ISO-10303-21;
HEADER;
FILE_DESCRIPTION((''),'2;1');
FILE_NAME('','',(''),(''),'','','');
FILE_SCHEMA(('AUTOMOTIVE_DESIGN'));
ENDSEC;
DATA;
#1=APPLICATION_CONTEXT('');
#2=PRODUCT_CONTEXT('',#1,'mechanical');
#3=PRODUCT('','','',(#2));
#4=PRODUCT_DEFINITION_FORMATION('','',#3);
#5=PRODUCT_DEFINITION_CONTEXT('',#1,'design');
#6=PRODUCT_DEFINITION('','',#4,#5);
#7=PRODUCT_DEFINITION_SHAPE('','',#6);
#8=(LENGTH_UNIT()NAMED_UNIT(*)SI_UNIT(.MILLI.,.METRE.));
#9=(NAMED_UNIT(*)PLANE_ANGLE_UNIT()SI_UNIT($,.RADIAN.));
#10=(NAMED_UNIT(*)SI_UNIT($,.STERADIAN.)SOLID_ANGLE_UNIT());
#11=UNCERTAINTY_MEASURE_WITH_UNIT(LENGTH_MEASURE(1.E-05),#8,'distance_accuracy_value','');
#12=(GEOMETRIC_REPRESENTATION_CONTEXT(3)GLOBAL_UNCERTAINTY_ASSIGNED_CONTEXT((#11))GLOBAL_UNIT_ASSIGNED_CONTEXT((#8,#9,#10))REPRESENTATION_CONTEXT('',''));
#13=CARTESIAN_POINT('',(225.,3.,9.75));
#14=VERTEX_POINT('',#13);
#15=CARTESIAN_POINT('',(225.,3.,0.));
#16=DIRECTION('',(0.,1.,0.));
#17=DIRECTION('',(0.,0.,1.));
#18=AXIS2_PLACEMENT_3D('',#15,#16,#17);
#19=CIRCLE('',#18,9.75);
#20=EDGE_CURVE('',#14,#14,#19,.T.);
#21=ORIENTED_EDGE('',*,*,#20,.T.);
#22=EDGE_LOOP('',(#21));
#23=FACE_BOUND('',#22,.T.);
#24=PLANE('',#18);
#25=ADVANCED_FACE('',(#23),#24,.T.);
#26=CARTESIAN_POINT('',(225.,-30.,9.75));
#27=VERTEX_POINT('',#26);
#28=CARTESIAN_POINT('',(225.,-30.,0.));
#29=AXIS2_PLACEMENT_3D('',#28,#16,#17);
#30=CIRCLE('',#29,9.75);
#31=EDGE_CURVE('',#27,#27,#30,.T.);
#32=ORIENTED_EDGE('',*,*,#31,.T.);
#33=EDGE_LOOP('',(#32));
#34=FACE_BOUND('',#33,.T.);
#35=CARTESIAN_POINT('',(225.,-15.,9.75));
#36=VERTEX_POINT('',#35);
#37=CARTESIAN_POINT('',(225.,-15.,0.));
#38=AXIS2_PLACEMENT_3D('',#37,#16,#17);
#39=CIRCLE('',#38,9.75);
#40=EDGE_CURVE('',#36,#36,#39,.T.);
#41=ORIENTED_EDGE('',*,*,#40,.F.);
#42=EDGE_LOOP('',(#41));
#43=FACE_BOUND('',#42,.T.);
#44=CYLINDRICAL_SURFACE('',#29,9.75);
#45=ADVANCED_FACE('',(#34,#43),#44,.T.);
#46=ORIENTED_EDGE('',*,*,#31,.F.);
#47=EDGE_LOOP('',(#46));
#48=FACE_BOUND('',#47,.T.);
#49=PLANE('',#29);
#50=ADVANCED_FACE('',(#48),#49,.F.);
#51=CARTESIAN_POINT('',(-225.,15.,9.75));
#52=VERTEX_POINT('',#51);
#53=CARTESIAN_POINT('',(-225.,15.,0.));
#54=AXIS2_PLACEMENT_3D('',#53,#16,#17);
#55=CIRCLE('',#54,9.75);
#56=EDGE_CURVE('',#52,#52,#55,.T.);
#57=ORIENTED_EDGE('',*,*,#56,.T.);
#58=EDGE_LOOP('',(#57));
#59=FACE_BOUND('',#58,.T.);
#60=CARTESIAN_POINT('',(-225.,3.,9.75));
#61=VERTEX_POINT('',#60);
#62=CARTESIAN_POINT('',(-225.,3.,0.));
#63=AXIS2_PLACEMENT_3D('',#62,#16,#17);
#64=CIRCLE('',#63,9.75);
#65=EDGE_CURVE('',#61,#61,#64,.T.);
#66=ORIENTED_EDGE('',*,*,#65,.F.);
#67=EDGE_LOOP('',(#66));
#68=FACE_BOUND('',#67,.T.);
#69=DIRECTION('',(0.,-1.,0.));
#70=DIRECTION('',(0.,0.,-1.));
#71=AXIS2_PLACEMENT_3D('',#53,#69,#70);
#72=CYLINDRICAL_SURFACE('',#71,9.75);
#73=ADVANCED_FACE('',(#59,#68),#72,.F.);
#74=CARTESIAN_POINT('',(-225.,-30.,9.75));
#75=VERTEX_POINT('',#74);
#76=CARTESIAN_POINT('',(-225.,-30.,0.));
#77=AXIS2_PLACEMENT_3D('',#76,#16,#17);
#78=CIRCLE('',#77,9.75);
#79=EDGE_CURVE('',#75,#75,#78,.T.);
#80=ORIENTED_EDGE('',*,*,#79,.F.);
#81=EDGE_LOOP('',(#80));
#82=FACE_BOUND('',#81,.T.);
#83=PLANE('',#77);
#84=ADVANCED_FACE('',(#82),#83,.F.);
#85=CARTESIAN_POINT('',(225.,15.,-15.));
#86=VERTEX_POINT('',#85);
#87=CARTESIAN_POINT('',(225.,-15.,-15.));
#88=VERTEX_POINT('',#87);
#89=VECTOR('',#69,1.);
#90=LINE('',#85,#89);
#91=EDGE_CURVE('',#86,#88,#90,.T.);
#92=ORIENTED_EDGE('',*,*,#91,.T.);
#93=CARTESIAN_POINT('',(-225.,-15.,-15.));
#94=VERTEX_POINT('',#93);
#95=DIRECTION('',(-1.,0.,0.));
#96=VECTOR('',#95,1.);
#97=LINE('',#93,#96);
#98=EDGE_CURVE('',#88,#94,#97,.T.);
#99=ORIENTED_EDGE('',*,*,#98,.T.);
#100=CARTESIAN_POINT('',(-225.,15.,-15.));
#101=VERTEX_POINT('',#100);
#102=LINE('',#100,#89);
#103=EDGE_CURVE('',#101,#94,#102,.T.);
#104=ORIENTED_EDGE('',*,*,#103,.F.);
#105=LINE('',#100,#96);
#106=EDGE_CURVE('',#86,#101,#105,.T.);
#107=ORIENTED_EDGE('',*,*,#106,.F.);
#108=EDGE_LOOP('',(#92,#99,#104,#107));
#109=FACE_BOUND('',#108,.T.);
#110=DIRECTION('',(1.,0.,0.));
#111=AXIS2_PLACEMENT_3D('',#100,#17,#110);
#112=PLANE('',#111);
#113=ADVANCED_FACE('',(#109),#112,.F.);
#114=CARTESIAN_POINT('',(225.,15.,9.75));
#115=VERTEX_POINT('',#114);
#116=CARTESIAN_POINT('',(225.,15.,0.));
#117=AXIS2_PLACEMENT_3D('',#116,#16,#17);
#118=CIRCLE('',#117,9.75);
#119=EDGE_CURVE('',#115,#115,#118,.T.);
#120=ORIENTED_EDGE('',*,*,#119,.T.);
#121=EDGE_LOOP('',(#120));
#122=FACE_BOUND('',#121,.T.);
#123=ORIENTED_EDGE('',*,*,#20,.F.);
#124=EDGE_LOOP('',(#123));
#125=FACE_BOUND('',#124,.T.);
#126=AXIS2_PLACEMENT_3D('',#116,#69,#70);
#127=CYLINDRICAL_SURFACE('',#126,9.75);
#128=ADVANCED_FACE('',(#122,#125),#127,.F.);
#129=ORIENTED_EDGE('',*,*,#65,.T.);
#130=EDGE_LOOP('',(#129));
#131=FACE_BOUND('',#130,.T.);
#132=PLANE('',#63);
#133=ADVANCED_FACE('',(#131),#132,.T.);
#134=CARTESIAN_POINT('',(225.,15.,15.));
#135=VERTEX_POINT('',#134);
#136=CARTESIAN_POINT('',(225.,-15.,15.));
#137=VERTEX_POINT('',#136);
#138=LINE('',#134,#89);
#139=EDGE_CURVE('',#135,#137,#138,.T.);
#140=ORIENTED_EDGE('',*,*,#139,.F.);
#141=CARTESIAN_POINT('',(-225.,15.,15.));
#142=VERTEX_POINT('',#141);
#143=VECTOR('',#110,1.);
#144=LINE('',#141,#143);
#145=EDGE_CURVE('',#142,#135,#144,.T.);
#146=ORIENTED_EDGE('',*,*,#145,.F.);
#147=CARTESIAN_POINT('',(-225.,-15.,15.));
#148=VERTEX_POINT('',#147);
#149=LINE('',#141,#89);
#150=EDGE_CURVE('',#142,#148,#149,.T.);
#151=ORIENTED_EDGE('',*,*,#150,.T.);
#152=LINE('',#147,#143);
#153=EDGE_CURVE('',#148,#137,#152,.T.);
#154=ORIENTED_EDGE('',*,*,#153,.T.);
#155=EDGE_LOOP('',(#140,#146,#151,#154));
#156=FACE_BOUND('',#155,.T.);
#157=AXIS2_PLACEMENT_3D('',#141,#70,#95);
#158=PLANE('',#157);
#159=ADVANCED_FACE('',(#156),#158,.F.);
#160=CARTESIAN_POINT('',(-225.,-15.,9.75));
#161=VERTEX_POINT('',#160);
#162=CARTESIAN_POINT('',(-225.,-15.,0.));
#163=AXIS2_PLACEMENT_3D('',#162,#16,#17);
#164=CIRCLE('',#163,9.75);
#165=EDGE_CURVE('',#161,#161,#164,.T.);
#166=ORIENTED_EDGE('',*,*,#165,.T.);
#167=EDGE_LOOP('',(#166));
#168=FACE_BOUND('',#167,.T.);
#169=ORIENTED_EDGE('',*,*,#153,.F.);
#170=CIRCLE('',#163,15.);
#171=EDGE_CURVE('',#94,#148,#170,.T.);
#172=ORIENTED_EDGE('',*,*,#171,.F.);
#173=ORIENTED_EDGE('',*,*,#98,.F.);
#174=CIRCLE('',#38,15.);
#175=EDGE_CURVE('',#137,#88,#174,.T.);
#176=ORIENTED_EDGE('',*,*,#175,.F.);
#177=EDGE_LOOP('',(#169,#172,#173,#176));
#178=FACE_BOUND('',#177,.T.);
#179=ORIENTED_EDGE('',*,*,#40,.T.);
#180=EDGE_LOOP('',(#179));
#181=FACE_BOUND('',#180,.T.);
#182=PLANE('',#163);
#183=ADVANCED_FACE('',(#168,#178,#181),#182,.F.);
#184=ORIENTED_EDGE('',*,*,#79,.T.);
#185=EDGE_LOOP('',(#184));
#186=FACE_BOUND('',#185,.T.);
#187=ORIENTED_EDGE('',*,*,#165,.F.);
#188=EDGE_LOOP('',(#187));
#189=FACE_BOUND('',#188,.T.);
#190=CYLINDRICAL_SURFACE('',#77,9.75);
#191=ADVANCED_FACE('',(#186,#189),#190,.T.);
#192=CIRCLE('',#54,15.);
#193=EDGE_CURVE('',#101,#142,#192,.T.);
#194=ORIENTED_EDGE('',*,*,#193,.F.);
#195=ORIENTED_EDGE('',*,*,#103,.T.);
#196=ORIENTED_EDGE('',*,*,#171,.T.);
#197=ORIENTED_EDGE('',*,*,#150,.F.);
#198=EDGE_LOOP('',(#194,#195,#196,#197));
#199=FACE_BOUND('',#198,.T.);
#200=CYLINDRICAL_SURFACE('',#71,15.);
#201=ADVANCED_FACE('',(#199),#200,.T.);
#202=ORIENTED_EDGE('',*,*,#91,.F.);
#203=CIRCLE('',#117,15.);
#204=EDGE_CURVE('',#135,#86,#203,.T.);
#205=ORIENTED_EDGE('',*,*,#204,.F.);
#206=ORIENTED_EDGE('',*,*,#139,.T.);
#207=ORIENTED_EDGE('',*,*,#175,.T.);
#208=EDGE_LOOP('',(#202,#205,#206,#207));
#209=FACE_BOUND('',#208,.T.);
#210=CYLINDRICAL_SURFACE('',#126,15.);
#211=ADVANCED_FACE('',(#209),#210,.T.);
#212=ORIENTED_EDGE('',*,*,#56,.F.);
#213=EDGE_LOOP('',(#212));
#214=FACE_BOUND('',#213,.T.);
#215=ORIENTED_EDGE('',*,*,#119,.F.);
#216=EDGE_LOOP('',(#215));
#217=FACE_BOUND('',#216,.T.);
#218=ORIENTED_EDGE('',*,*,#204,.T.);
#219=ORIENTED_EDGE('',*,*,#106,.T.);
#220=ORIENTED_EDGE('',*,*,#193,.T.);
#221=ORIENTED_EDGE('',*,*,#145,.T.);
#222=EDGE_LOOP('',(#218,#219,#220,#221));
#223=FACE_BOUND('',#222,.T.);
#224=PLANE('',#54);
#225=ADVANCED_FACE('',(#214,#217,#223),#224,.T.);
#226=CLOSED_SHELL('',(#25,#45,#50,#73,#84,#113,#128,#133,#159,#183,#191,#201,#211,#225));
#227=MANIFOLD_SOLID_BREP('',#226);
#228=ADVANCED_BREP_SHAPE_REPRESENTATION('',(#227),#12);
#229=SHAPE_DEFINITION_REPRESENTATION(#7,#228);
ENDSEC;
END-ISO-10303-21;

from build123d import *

# Parameters (mm, degrees)
BOSS_EXTRUDE1_DEPTH = 15
SKETCH2_R           = 9.75
CUT_EXTRUDE2_DEPTH  = 241.935676063
BOSS_EXTRUDE2_START = -30
SKETCH2_3_R         = 9.75
BOSS_EXTRUDE2_DEPTH = 30
SKETCH2_4_R         = 9.75
BOSS_EXTRUDE3_DEPTH = 3


with BuildPart() as part:
    # Sketch1 → Boss-Extrude1 (new, symmetric)
    with BuildSketch(Plane(origin=(0, 0, 0), x_dir=(1, 0, 0), z_dir=(0, 1, 0))):
        with BuildLine():
            Line((-225, 15), (225, 15))
            ThreePointArc((225, 15), (240, 0), (225, -15))
            Line((225, -15), (-225, -15))
            ThreePointArc((-225, -15), (-240, 0), (-225, 15))
        make_face()
    extrude(amount=BOSS_EXTRUDE1_DEPTH, both=True)

    # Sketch2 → Cut-Extrude2 (cut, through all)
    with BuildSketch(Plane(origin=(0, 0, 0), x_dir=(1, 0, 0), z_dir=(0, 1, 0))):
        with Locations((-225, 0)):
            Circle(SKETCH2_R)
        with Locations((225, 0)):
            Circle(SKETCH2_R)
    extrude(amount=CUT_EXTRUDE2_DEPTH, mode=Mode.SUBTRACT)

    # Sketch2<3> → Boss-Extrude2 (add)
    with BuildSketch(Plane(origin=(0, 0, 0), x_dir=(1, 0, 0), z_dir=(0, 1, 0)).offset(BOSS_EXTRUDE2_START)):
        with Locations((-225, 0)):
            Circle(SKETCH2_3_R)
        with Locations((225, 0)):
            Circle(SKETCH2_3_R)
    extrude(amount=BOSS_EXTRUDE2_DEPTH)

    # Sketch2<4> → Boss-Extrude3 (add)
    with BuildSketch(Plane(origin=(0, 0, 0), x_dir=(1, 0, 0), z_dir=(0, 1, 0))):
        with Locations((-225, 0)):
            Circle(SKETCH2_4_R)
        with Locations((225, 0)):
            Circle(SKETCH2_4_R)
    extrude(amount=BOSS_EXTRUDE3_DEPTH)


solid = part.part
